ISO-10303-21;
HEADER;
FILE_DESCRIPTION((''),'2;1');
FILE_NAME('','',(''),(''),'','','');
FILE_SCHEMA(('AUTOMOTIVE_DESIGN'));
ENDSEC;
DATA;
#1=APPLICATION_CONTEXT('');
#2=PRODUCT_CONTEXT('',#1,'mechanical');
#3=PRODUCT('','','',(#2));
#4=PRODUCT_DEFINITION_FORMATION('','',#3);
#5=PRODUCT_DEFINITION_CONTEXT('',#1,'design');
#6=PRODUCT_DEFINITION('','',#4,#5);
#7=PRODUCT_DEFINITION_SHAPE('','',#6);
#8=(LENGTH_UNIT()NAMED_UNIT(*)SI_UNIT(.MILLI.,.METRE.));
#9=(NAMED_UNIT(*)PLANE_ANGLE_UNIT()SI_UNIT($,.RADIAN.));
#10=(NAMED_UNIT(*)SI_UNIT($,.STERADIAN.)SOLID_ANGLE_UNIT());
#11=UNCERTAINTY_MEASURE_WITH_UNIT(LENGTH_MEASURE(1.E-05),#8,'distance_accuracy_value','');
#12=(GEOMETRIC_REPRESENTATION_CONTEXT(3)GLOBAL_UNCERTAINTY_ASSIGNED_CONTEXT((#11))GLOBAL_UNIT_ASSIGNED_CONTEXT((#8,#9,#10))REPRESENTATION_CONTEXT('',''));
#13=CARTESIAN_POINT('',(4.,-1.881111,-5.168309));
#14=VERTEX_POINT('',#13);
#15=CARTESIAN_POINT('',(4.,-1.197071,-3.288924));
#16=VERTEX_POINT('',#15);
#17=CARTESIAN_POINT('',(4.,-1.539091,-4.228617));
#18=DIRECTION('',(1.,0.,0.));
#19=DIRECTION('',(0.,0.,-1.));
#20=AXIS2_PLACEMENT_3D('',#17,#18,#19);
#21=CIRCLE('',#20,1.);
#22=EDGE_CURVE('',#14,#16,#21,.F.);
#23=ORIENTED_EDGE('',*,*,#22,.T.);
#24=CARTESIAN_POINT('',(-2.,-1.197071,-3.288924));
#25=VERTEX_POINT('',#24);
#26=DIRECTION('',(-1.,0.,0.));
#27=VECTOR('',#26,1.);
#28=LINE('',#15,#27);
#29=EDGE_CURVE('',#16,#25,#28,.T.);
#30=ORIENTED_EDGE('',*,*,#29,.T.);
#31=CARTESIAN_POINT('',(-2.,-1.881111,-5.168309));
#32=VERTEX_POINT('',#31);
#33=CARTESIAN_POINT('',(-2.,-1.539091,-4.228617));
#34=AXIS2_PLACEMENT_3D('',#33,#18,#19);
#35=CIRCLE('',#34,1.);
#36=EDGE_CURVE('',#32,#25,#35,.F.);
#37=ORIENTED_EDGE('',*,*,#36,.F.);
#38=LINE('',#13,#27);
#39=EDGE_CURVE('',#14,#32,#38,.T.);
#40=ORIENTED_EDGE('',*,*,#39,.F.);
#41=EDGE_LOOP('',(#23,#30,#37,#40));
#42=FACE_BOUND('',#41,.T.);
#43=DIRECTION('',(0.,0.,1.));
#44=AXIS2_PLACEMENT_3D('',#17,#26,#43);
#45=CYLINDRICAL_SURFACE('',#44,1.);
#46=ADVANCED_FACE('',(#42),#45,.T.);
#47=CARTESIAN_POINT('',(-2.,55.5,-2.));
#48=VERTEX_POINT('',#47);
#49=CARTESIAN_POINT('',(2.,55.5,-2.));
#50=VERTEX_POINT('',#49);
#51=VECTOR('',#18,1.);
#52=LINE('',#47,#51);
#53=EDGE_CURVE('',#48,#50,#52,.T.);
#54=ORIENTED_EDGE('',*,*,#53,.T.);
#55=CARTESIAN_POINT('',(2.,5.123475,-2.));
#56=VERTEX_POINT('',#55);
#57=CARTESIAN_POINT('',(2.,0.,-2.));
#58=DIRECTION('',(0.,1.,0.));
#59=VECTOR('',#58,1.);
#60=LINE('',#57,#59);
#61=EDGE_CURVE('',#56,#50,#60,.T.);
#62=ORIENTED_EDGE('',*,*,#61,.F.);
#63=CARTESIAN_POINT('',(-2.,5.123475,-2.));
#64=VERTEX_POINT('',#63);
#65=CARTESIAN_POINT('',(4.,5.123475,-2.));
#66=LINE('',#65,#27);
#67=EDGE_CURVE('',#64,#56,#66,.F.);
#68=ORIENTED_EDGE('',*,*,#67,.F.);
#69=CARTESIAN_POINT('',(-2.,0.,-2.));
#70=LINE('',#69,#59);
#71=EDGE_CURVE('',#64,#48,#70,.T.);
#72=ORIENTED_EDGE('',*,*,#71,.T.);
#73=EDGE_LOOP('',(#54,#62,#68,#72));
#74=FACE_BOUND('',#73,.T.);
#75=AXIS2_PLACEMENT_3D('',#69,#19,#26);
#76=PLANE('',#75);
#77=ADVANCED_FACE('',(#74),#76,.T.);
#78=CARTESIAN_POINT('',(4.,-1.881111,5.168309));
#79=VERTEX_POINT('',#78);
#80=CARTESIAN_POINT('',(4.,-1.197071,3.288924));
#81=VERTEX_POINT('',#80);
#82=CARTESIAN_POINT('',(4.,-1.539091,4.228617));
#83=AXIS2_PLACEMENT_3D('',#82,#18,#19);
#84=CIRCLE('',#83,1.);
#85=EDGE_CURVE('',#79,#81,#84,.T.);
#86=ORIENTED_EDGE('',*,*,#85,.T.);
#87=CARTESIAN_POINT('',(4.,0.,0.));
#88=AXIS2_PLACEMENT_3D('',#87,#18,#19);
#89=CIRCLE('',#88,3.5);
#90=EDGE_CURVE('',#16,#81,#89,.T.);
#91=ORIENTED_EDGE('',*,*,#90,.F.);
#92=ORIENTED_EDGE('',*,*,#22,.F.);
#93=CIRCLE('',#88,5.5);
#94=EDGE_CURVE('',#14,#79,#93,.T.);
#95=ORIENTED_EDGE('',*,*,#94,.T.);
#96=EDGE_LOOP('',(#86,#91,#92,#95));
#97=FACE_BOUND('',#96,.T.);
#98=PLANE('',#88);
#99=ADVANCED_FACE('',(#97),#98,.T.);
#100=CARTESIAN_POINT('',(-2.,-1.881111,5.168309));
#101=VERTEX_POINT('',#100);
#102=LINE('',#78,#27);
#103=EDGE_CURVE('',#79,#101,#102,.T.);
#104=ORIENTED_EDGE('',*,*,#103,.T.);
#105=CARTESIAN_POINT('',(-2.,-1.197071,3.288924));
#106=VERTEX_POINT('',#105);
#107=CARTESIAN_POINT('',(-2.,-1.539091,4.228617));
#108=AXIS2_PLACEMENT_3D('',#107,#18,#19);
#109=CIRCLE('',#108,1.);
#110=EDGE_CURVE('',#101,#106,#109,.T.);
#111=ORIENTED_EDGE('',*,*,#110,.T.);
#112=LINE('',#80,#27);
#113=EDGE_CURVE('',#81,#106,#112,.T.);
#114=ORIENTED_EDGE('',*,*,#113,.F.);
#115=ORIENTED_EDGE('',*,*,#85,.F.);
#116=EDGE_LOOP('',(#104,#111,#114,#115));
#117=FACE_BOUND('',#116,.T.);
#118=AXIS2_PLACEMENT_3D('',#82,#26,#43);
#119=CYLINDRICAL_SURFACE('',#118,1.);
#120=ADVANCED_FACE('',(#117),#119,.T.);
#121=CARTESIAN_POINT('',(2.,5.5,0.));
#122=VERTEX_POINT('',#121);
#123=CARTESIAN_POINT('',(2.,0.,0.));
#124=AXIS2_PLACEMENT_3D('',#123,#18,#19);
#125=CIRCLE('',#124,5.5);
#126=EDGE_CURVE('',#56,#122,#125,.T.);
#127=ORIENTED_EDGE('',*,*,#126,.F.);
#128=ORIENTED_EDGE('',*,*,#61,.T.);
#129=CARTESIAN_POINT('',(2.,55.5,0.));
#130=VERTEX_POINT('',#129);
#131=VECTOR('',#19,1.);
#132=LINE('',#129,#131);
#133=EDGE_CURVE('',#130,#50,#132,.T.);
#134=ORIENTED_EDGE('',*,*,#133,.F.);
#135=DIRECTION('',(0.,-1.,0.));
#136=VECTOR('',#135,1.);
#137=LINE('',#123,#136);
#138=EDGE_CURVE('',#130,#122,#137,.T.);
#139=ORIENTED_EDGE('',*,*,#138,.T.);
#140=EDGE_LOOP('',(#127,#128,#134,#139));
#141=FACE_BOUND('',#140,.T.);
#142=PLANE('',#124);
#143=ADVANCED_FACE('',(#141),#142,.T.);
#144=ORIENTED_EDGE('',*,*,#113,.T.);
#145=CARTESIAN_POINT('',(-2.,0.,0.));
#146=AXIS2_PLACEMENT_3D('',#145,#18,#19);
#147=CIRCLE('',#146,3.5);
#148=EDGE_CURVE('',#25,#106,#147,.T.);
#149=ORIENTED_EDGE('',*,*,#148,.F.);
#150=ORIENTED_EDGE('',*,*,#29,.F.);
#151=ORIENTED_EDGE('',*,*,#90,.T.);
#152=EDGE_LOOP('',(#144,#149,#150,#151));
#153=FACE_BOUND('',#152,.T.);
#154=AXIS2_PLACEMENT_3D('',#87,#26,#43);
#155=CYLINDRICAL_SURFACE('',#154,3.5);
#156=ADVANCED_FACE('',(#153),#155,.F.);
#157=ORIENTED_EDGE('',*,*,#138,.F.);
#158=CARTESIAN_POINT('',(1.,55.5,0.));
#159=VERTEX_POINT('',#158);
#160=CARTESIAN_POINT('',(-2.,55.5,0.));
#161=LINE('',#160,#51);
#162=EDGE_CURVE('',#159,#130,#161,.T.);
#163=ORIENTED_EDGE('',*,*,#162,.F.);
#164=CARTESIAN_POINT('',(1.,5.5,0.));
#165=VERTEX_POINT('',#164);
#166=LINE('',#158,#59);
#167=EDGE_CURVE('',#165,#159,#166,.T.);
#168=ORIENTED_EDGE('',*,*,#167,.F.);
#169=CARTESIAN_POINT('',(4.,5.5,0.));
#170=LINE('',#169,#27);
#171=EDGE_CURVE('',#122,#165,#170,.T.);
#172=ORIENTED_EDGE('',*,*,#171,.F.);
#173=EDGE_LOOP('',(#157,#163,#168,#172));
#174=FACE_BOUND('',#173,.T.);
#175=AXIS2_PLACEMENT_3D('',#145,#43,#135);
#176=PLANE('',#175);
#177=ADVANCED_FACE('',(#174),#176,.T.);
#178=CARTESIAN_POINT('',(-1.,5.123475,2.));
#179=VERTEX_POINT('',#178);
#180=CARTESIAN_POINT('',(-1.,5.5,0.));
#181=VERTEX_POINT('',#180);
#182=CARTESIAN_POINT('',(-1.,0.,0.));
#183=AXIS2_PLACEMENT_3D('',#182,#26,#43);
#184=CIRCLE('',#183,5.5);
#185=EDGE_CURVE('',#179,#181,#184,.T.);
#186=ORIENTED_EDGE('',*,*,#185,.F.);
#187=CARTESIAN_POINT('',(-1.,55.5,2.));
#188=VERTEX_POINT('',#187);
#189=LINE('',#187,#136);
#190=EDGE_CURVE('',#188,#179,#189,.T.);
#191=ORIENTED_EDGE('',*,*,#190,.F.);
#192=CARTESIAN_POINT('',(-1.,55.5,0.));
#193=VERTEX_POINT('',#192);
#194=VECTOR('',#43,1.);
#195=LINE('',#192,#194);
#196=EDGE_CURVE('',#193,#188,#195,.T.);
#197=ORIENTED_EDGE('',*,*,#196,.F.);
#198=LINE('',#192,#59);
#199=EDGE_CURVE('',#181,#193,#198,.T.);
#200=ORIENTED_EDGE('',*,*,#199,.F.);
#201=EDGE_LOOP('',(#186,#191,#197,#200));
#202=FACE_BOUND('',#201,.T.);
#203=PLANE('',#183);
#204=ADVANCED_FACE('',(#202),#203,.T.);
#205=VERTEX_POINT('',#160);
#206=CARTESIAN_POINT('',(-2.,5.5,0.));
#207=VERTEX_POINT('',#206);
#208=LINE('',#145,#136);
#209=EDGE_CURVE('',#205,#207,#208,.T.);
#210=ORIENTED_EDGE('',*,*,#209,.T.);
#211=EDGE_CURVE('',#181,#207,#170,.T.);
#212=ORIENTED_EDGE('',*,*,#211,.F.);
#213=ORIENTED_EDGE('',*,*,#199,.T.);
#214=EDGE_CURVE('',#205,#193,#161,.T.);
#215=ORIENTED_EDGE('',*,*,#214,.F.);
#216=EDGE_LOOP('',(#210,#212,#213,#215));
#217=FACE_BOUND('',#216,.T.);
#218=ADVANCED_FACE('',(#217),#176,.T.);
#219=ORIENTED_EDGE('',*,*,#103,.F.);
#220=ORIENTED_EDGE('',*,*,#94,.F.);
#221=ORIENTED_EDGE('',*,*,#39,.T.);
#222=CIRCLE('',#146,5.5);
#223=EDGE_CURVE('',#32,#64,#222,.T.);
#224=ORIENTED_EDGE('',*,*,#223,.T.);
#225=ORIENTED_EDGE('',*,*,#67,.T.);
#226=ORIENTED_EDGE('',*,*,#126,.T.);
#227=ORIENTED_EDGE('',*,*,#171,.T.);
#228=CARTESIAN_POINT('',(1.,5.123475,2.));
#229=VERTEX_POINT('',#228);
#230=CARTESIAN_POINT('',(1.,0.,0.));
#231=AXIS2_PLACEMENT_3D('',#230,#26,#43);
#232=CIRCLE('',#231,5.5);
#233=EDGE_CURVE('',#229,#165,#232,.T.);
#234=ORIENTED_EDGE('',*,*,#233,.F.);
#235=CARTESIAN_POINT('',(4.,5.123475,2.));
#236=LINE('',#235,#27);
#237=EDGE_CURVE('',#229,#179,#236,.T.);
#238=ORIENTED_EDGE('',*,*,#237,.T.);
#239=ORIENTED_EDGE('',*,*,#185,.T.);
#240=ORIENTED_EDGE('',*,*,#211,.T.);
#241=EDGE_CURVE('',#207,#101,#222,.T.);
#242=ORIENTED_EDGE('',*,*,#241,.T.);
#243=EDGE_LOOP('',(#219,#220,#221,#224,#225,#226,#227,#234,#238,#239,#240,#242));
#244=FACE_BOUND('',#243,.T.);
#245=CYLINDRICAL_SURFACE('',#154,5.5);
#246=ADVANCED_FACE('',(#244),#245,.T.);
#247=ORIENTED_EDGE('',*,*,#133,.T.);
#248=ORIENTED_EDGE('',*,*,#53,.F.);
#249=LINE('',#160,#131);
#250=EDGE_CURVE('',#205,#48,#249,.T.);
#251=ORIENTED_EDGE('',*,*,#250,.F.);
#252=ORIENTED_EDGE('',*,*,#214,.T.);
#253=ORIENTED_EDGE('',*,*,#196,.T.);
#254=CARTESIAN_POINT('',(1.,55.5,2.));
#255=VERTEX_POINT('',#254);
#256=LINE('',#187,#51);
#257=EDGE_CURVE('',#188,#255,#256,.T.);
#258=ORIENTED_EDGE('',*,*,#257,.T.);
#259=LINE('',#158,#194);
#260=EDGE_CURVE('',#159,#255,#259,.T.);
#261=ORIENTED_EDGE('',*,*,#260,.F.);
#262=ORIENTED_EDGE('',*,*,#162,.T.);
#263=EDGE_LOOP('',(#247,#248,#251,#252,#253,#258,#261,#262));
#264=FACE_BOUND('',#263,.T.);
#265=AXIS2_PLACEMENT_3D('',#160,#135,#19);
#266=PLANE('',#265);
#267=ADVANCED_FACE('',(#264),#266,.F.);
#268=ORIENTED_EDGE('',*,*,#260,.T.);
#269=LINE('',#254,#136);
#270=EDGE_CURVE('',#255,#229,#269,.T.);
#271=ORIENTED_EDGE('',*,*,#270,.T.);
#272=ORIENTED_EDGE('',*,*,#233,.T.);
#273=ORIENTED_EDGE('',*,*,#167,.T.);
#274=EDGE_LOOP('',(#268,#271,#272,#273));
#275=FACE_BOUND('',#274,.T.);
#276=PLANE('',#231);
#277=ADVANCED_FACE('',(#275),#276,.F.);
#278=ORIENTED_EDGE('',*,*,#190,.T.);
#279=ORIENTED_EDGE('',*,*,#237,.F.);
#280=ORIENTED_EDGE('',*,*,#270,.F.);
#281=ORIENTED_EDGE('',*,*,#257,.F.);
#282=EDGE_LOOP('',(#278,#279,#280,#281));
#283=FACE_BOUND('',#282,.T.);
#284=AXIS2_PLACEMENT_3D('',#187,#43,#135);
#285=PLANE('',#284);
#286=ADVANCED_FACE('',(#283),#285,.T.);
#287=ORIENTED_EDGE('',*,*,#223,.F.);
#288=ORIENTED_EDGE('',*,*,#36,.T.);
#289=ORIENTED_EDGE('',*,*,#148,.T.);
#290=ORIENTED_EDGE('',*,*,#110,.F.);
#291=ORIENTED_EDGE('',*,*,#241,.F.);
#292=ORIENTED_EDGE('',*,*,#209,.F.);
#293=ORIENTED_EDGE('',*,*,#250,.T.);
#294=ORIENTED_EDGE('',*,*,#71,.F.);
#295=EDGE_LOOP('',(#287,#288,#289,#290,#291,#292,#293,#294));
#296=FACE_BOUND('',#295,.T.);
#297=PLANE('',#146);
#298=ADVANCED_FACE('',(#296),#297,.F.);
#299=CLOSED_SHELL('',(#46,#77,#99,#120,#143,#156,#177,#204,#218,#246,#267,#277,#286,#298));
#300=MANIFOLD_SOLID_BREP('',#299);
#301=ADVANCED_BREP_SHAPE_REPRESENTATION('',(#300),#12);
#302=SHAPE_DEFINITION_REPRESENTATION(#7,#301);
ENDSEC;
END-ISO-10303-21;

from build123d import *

# Parameters (mm, degrees)
BOSS_EXTRUDE1_DEPTH      = 4
BOSS_EXTRUDE1_DEPTH_BACK = 2
BOSS_EXTRUDE2_DEPTH      = 2
BOSS_EXTRUDE2_DEPTH_BACK = 2
BOSS_EXTRUDE3_DEPTH      = 1
BOSS_EXTRUDE3_DEPTH_BACK = 1
SKETCH3_W                = 2
SKETCH3_H                = 52


with BuildPart() as part:
    # Sketch1 → Boss-Extrude1 (new, two sides: drawn at the far end of the back side and taken through both)
    with BuildSketch(Plane(origin=(0, 0, 0), x_dir=(0, 0, -1), z_dir=(1, 0, 0)).offset(-BOSS_EXTRUDE1_DEPTH_BACK)):
        with BuildLine():
            ThreePointArc((-3.288924173, -1.197070502), (0, 3.5), (3.288924173, -1.197070502))
            ThreePointArc((3.288924173, -1.197070502), (3.88659665, -2.478783266), (5.168309414, -1.881110788))
            ThreePointArc((5.168309414, -1.881110788), (0, 5.5), (-5.168309414, -1.881110788))
            ThreePointArc((-5.168309414, -1.881110788), (-3.88659665, -2.478783266), (-3.288924173, -1.197070502))
        make_face()
    extrude(amount=BOSS_EXTRUDE1_DEPTH + BOSS_EXTRUDE1_DEPTH_BACK)

    # Sketch2 → Boss-Extrude2 (add, two sides: drawn at the far end of the back side and taken through both)
    with BuildSketch(Plane(origin=(0, 0, 0), x_dir=(0, 0, -1), z_dir=(1, 0, 0)).offset(-BOSS_EXTRUDE2_DEPTH_BACK)):
        Polygon((0, 5.5), (0, 3.5), (2, 3.5), (2, 55.5), (0, 55.5), align=None)
    extrude(amount=BOSS_EXTRUDE2_DEPTH + BOSS_EXTRUDE2_DEPTH_BACK)

    # Sketch3 → Boss-Extrude3 (add, two sides: drawn at the far end of the back side and taken through both)
    with BuildSketch(Plane(origin=(0, 0, 0), x_dir=(0, 0, -1), z_dir=(1, 0, 0)).offset(-BOSS_EXTRUDE3_DEPTH_BACK)):
        with Locations((-1, 29.5)):
            Rectangle(SKETCH3_W, SKETCH3_H)
    extrude(amount=BOSS_EXTRUDE3_DEPTH + BOSS_EXTRUDE3_DEPTH_BACK)


solid = part.part
